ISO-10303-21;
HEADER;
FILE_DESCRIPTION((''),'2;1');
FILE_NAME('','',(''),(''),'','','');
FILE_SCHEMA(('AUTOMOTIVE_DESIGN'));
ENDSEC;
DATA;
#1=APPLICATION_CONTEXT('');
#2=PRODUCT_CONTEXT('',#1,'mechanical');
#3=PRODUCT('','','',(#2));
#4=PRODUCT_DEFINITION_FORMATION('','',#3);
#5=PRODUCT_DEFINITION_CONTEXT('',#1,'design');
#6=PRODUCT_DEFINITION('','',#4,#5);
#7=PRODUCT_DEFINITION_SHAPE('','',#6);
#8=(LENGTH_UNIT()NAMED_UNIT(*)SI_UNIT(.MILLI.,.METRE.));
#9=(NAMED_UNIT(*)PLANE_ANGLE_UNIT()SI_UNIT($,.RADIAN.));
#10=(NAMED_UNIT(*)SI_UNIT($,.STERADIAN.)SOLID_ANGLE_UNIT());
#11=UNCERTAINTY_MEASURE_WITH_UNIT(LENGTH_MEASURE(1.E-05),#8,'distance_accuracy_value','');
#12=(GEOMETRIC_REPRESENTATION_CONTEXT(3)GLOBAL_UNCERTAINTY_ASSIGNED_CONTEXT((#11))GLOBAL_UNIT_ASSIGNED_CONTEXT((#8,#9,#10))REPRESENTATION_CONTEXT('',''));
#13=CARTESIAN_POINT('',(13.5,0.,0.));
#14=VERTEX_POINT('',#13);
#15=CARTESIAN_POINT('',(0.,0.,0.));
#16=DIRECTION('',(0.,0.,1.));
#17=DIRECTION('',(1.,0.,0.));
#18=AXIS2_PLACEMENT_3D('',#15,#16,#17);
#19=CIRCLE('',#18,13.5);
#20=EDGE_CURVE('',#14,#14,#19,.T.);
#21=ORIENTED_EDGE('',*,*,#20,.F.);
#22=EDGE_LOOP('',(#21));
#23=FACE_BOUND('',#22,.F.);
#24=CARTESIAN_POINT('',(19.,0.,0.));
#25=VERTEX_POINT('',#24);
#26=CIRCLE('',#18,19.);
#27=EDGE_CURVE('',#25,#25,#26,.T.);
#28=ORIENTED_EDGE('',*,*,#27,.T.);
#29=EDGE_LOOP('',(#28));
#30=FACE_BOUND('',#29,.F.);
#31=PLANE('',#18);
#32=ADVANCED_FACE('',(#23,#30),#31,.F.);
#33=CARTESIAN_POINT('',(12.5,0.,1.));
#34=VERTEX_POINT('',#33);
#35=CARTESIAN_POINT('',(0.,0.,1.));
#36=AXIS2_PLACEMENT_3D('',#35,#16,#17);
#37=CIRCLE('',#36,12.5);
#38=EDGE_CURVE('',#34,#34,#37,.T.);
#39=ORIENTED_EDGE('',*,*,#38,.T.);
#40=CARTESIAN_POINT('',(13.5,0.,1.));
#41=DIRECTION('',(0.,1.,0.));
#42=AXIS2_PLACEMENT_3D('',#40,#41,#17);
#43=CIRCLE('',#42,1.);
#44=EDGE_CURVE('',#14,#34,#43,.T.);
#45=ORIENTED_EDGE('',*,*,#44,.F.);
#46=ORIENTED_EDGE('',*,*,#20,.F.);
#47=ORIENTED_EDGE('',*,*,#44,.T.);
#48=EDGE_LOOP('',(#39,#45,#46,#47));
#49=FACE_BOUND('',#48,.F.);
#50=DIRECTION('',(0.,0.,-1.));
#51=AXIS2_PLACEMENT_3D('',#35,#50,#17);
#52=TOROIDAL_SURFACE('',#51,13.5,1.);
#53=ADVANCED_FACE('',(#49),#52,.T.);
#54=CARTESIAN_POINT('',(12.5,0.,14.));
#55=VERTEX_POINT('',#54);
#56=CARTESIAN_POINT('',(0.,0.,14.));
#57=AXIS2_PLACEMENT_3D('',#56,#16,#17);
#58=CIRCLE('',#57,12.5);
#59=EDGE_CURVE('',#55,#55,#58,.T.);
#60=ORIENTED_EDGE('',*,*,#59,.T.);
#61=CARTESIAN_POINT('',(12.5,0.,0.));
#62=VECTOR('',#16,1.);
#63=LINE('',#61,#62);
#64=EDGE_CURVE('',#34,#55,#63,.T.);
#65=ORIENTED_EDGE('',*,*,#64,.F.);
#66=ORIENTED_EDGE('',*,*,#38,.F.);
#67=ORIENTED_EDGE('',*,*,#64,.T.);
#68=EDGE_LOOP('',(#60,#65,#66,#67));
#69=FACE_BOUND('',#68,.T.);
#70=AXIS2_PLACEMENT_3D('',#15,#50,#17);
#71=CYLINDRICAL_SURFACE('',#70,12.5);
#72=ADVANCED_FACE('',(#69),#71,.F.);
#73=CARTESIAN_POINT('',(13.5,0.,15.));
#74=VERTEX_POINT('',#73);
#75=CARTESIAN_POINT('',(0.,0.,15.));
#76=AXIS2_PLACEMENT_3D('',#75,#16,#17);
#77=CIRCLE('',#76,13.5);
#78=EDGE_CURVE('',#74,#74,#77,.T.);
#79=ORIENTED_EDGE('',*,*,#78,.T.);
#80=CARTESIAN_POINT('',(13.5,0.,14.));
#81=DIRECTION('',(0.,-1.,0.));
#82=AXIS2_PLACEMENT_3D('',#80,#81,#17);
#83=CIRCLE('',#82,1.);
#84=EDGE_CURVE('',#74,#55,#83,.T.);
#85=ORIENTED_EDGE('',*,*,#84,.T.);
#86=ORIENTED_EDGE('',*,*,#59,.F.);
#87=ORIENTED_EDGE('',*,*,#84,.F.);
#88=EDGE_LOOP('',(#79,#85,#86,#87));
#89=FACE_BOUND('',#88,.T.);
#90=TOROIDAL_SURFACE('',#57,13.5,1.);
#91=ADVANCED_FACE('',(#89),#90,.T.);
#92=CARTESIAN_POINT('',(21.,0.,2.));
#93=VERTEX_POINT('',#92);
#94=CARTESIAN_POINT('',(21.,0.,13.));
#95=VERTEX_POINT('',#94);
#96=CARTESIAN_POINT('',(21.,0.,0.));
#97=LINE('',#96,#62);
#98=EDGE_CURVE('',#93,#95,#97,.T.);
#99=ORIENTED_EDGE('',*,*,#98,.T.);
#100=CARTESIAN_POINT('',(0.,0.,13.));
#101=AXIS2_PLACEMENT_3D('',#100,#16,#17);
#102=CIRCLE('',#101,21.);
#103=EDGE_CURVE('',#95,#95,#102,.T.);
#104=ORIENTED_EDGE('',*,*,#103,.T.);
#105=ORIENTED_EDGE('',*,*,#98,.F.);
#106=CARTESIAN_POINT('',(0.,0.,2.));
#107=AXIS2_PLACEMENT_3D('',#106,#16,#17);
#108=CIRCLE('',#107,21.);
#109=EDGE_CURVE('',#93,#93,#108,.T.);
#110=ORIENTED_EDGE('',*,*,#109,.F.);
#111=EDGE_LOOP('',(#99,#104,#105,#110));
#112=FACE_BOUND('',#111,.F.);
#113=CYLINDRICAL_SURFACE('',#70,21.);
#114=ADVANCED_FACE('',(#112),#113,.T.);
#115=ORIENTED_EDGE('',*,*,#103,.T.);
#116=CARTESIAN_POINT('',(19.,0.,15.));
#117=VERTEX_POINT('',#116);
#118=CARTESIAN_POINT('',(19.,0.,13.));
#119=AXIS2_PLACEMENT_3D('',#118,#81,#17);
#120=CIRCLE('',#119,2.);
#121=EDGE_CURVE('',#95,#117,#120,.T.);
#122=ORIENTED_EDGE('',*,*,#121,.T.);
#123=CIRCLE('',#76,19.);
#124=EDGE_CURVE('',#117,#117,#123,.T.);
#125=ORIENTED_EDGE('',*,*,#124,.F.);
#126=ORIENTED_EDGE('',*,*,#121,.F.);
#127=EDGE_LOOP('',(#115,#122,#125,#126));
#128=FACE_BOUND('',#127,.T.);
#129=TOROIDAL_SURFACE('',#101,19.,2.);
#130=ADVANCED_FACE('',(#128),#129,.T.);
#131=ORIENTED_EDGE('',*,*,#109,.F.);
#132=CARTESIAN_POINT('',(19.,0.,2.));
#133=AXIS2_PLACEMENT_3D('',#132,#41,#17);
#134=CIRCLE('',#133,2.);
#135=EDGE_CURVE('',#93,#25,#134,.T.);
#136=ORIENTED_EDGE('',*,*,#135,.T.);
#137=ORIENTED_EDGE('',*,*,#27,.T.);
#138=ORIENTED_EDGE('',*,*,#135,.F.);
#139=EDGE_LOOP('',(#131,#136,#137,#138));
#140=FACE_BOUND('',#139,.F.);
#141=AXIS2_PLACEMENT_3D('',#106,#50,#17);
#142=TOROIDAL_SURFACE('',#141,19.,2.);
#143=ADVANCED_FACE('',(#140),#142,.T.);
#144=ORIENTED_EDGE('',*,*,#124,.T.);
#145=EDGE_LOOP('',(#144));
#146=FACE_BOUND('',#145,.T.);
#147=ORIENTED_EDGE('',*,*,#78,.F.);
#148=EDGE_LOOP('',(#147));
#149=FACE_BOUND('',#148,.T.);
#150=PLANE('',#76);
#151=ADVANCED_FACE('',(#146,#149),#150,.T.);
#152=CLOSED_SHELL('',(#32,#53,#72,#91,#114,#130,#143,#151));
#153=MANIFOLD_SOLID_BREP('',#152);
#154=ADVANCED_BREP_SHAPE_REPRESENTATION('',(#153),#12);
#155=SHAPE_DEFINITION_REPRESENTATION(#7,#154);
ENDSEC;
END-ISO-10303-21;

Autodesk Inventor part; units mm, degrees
ref_plane "YZ Plane" through (0, 0, 0) normal (1, 0, 0) x (0, 1, 0)
ref_plane "XZ Plane" through (0, 0, 0) normal (0, 1, 0) x (-1, 0, 0)
ref_plane "XY Plane" through (0, 0, 0) normal (0, 0, 1) x (1, 0, 0)
sketch "Sketch1" plane through (0, 0, 0) normal (0, 0, 1) x (1, 0, 0)
  circle A0 centre (0, 0) radius 12.5
  circle A1 centre (0, 0) radius 21
  dimension "d0" = 25
  dimension "d1" = 42
extrude "Extrusion1" add sketch "Sketch1" along normal blind 15
fillet "Fillet1" radius 2 2 edges at (-21, 0, 15) (-21, 0, 0)
fillet "Fillet2" radius 1 2 edges at (-12.5, 0, 0) (-12.5, 0, 15)
properties part number "U51105" material "Steel, Carbon"
